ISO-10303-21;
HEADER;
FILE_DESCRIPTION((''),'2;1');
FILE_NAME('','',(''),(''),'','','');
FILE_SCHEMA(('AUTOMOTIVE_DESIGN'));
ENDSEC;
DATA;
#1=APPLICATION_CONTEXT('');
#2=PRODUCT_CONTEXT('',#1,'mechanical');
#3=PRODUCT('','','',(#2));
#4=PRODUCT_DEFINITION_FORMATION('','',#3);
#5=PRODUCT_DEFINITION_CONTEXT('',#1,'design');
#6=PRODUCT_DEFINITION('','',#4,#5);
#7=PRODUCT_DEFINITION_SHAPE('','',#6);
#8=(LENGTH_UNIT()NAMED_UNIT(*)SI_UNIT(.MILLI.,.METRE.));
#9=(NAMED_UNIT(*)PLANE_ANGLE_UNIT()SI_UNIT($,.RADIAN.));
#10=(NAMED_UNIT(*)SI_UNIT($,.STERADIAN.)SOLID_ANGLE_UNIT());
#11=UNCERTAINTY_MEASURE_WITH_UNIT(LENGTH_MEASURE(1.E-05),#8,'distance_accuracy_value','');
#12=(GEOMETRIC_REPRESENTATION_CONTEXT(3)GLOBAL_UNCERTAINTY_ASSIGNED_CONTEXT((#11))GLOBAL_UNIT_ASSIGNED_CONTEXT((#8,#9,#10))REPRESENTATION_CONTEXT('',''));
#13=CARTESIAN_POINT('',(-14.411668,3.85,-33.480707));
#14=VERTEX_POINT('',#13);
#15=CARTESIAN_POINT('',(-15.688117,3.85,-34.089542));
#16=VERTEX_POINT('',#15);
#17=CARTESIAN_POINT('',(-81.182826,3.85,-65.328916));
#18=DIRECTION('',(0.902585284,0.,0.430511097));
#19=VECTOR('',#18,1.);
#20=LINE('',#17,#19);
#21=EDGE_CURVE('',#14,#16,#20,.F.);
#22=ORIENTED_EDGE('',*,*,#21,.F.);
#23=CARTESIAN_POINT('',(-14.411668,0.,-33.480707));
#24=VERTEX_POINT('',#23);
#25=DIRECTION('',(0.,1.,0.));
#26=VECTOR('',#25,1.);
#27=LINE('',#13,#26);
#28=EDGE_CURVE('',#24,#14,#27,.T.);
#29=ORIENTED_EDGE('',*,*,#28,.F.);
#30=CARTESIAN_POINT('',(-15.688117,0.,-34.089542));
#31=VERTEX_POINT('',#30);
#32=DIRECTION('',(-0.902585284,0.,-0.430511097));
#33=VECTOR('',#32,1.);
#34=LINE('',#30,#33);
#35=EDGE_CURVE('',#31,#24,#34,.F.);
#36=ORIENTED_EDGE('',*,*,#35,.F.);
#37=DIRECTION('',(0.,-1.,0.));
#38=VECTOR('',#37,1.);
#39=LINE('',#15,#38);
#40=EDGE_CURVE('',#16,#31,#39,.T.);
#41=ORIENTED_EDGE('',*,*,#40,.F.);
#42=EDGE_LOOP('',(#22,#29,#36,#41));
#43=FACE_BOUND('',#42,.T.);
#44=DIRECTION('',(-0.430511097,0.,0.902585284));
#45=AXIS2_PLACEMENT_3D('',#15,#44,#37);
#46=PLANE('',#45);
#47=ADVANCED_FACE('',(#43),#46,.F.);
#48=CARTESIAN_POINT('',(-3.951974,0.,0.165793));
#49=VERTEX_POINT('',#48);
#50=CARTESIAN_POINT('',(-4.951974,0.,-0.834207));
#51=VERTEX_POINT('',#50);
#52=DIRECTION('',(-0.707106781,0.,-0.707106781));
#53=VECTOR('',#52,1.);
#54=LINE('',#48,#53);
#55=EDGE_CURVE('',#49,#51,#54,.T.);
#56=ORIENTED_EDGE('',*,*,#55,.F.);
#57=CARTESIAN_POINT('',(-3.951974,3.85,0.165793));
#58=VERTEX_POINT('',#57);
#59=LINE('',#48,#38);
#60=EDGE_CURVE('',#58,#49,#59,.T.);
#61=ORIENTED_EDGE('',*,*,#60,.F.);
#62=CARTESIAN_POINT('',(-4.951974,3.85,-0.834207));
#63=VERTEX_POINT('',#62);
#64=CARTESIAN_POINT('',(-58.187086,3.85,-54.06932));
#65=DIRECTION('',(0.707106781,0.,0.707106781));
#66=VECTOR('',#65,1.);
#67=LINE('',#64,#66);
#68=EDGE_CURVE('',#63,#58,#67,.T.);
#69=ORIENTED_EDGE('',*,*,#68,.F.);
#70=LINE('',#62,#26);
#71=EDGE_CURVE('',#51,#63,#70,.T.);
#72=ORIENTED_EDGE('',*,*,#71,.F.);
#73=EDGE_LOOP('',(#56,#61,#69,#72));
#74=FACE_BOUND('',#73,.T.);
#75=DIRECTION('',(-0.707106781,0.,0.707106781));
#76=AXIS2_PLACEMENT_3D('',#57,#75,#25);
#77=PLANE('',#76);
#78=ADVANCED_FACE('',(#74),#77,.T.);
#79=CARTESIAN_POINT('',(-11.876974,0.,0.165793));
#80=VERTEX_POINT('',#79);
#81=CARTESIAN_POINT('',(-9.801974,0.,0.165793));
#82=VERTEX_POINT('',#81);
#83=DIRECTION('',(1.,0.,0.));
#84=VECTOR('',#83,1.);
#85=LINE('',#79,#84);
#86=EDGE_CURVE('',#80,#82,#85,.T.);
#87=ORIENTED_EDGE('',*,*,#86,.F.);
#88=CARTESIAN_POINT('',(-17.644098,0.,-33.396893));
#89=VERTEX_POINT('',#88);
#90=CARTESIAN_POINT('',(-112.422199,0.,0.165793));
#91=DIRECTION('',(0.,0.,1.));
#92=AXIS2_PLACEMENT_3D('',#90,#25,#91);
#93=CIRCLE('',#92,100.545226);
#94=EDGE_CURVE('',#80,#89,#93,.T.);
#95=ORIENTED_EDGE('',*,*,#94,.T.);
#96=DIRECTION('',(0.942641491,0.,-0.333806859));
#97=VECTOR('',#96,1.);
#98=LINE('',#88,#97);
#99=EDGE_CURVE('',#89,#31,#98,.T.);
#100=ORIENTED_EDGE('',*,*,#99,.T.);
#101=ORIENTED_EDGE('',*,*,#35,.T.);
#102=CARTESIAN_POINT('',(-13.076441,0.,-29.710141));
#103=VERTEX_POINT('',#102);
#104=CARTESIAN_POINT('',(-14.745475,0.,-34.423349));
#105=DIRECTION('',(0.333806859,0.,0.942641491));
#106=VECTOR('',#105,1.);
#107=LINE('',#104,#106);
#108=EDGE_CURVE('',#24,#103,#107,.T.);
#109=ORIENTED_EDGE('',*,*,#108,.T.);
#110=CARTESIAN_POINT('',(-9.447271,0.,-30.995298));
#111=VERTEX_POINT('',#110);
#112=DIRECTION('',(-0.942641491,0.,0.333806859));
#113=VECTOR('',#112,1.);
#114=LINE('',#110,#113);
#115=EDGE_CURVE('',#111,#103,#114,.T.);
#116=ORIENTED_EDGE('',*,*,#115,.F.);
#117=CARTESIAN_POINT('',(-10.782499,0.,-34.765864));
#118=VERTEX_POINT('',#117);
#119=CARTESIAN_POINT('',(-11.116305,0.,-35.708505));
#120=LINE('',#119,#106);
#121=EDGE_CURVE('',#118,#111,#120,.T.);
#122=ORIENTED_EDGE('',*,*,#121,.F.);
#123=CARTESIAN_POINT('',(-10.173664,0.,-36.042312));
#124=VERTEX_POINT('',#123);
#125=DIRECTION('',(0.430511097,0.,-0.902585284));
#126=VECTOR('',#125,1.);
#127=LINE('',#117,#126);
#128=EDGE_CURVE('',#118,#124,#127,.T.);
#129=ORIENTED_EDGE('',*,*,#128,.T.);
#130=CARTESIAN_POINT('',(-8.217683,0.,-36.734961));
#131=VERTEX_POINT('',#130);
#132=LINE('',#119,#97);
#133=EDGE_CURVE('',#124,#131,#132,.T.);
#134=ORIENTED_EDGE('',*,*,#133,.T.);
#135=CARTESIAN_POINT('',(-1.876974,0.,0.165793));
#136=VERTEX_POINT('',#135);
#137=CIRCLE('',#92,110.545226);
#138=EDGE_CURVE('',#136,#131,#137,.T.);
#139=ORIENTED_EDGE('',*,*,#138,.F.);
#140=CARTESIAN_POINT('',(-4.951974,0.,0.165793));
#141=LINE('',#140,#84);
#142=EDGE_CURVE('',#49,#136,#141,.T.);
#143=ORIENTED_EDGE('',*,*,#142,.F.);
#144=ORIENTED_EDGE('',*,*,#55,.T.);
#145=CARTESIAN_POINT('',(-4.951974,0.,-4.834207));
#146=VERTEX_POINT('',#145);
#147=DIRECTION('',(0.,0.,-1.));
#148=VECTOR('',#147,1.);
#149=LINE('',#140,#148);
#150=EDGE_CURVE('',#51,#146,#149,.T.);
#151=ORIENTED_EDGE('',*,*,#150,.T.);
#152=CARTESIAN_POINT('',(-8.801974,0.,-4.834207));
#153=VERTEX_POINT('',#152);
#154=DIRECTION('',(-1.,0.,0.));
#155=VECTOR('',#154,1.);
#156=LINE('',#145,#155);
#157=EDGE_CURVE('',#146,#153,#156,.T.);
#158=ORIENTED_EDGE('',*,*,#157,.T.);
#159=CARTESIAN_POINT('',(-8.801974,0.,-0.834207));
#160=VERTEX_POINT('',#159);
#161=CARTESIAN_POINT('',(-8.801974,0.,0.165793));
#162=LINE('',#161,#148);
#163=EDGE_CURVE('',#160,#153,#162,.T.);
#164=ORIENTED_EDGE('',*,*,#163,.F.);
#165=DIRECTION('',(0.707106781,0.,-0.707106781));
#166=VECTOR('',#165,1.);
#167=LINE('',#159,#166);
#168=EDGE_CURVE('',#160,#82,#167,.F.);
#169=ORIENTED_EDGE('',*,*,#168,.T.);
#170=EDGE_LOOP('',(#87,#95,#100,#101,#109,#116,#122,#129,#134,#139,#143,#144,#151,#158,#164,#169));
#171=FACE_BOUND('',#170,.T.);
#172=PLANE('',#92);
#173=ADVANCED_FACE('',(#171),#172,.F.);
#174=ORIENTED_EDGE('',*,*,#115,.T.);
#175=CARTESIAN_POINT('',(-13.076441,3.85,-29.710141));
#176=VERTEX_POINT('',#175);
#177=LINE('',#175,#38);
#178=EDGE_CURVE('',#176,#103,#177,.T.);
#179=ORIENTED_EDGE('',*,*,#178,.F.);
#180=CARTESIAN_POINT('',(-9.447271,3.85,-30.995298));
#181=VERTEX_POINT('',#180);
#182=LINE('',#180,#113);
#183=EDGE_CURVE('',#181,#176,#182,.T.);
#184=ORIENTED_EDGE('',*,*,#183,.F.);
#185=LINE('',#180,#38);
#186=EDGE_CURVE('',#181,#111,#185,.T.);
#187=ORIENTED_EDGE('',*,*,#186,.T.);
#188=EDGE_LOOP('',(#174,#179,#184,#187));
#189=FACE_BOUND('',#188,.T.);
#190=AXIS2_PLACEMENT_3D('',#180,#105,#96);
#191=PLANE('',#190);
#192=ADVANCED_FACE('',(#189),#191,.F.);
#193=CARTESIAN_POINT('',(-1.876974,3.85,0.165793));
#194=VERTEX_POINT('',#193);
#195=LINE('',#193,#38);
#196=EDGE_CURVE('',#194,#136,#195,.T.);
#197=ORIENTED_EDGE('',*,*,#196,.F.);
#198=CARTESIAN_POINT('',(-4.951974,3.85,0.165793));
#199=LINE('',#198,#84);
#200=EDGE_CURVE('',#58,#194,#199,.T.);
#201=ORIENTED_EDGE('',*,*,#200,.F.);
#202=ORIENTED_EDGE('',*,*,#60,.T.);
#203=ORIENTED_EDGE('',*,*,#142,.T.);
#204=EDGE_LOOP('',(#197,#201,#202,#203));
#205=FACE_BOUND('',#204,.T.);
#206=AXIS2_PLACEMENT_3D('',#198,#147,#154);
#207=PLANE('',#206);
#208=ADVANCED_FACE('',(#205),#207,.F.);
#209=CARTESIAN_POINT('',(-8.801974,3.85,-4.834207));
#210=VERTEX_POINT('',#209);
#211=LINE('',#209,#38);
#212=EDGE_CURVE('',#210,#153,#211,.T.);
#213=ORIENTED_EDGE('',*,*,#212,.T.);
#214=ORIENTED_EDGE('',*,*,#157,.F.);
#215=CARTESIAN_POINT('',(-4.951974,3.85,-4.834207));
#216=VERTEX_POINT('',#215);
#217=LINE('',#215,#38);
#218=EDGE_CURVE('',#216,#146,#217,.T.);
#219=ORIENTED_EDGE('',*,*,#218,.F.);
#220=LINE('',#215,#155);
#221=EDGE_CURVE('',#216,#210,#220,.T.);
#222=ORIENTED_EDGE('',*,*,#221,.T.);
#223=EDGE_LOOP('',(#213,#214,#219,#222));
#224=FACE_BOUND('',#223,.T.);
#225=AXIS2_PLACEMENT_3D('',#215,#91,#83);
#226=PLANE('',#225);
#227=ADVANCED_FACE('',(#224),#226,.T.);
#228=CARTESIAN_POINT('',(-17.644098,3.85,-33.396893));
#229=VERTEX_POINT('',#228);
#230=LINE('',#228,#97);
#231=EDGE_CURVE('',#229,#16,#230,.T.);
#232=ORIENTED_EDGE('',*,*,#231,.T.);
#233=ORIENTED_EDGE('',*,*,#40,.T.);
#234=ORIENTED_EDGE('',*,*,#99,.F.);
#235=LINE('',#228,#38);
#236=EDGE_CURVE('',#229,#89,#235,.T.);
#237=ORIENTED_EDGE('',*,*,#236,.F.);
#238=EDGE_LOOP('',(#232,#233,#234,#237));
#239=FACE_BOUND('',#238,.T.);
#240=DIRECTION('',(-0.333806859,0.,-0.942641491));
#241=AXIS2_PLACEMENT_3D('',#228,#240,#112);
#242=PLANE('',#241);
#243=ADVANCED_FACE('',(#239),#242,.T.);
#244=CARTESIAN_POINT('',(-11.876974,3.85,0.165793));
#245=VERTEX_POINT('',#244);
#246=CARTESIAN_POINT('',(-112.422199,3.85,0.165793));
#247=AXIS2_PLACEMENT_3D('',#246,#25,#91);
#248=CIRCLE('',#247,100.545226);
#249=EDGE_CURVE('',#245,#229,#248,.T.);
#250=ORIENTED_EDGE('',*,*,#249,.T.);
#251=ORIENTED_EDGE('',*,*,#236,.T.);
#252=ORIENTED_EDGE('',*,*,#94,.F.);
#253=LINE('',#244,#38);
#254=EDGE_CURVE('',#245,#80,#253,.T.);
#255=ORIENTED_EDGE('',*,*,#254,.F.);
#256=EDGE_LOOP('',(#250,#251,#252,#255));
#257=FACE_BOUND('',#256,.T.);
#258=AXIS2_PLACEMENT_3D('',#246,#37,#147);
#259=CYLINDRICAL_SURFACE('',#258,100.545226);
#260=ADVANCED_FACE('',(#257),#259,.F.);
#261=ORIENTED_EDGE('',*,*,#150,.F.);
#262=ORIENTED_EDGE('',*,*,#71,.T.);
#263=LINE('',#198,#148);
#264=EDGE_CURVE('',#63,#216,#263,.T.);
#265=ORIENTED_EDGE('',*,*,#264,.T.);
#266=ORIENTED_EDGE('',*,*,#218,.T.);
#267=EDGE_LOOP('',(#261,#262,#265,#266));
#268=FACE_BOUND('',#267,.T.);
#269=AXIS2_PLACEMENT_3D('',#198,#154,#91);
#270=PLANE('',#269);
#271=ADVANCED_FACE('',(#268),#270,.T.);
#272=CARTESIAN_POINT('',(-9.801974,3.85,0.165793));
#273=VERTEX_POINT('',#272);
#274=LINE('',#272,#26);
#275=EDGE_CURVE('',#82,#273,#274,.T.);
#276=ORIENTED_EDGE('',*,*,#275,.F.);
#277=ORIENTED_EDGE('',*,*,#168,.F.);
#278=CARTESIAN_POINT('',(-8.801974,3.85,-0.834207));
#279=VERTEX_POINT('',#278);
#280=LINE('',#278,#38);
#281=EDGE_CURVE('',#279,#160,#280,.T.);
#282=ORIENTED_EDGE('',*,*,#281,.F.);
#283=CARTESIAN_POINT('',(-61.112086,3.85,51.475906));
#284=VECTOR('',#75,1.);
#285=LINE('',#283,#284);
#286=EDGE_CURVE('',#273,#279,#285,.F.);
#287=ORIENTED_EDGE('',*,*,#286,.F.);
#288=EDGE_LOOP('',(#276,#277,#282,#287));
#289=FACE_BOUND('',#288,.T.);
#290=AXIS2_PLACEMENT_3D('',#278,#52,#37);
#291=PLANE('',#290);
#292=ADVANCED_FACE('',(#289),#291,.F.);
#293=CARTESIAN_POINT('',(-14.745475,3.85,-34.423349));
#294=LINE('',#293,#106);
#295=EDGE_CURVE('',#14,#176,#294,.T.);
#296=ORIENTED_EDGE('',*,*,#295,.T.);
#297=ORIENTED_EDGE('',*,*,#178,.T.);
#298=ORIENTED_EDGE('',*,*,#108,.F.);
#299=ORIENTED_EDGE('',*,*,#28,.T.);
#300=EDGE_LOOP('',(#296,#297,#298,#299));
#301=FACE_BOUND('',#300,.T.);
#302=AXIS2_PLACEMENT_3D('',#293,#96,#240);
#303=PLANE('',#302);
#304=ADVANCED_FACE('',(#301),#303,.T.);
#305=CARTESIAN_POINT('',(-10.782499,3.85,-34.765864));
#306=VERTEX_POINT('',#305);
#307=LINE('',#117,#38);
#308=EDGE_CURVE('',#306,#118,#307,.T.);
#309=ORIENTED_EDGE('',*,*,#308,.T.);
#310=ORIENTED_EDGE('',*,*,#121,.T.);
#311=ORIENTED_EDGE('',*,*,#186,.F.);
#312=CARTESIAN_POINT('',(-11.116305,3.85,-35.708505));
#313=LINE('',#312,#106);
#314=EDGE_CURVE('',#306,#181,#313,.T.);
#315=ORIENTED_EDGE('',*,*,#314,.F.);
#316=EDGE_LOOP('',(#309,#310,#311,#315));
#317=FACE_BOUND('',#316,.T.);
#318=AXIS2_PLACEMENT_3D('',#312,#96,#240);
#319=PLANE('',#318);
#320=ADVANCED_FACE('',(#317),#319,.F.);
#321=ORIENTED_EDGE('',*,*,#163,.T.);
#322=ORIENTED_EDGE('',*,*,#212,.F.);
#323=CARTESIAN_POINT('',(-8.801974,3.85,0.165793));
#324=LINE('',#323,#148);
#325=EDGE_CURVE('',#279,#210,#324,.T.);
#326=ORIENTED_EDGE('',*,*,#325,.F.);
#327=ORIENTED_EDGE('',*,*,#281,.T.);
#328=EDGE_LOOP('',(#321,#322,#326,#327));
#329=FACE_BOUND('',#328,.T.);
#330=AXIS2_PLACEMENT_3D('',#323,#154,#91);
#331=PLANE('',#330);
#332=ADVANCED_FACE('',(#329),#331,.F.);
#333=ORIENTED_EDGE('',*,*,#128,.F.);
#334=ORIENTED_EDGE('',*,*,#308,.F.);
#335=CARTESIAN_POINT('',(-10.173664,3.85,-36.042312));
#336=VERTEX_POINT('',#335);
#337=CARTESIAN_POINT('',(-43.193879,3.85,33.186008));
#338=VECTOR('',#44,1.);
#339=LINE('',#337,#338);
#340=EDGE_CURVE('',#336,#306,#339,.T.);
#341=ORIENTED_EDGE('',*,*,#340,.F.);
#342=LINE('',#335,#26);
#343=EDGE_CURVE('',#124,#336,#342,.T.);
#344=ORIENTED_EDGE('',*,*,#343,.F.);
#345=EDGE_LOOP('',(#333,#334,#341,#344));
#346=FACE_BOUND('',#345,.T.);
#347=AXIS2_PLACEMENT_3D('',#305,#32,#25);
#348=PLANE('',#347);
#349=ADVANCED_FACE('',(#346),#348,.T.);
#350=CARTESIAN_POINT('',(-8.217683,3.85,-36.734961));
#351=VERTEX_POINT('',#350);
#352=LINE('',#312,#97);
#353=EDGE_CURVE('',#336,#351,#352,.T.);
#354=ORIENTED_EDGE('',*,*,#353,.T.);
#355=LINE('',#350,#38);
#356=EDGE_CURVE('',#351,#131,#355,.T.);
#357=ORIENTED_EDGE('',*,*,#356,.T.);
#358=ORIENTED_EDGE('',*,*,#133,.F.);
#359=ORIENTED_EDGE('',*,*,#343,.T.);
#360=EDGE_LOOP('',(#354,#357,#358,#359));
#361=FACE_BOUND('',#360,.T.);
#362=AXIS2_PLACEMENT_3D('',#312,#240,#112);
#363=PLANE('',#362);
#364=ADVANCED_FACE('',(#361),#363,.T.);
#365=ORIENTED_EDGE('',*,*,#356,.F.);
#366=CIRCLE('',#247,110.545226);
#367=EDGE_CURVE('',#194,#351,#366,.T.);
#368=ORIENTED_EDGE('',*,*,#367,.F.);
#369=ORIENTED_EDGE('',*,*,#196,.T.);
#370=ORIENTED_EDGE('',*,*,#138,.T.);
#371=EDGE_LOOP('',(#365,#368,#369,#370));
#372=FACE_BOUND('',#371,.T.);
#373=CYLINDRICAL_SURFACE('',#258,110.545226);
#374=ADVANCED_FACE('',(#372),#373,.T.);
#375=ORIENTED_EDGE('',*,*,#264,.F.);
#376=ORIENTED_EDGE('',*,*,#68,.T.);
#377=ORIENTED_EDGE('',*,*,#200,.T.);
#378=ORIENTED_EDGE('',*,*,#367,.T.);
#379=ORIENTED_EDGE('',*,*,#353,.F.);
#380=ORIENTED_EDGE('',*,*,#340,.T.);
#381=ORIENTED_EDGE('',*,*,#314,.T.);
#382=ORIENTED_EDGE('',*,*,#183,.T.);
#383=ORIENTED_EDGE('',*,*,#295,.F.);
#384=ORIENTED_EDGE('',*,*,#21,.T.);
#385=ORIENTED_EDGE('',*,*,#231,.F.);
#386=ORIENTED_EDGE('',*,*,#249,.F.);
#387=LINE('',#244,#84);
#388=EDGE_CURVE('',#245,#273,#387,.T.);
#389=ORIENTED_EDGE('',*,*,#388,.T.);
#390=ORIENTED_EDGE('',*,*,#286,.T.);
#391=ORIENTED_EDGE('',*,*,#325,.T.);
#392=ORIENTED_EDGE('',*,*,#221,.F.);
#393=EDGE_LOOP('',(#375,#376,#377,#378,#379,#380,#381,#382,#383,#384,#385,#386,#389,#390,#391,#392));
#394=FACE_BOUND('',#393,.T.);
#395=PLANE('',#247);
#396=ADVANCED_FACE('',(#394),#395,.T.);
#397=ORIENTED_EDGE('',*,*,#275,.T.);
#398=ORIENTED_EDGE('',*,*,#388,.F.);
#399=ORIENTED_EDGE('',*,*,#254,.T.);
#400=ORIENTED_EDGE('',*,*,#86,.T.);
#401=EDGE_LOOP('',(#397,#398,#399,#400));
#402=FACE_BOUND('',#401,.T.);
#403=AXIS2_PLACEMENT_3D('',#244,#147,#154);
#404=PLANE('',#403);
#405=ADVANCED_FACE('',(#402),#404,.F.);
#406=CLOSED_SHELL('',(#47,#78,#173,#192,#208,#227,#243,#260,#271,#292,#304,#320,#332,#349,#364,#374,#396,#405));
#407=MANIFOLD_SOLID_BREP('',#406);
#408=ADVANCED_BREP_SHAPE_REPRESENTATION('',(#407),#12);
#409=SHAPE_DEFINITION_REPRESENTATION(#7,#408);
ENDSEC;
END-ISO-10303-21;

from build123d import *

# Parameters (mm, degrees)
BOSS_EXTRUDE1_DEPTH = 3.85
CHAMFER1_SIZE       = 1


with BuildPart() as part:
    # Sketch1 → Boss-Extrude1 (new body)
    with BuildSketch(Plane(origin=(0, 0, 0), x_dir=(1, 0, 0), z_dir=(0, 1, 0))):
        with BuildLine():
            Line((-17.644097819, 33.396892859), (-14.745475234, 34.423348951))
            Line((-14.745475234, 34.423348951), (-13.076440938, 29.710141496))
            Line((-13.076440938, 29.710141496), (-9.447271197, 30.995297904))
            Line((-9.447271197, 30.995297904), (-11.116305493, 35.708505359))
            Line((-11.116305493, 35.708505359), (-8.217682908, 36.734961451))
            ThreePointArc((-8.217682908, 36.734961451), (-3.473682306, 18.55498598), (-1.876973594, -0.165793148))
            Line((-1.876973594, -0.165793148), (-4.951973594, -0.165793148))
            Line((-4.951973594, -0.165793148), (-4.951973594, 4.834206852))
            Line((-4.951973594, 4.834206852), (-8.801973594, 4.834206852))
            Line((-8.801973594, 4.834206852), (-8.801973594, -0.165793148))
            Line((-8.801973594, -0.165793148), (-11.876973594, -0.165793148))
            ThreePointArc((-11.876973594, -0.165793148), (-13.329242897, 16.861490941), (-17.644097819, 33.396892859))
        make_face()
    extrude(amount=BOSS_EXTRUDE1_DEPTH)

    # Chamfer1
    chamfer1_edges = [part.edges().sort_by_distance(p)[0] for p in [
        (-14.745475234, 1.925, -34.423348951),
        (-11.116305493, 1.925, -35.708505359),
        (-4.951973594, 1.925, 0.165793148),
        (-8.801973594, 1.925, 0.165793148),
    ]]
    chamfer(chamfer1_edges, length=CHAMFER1_SIZE)


solid = part.part
